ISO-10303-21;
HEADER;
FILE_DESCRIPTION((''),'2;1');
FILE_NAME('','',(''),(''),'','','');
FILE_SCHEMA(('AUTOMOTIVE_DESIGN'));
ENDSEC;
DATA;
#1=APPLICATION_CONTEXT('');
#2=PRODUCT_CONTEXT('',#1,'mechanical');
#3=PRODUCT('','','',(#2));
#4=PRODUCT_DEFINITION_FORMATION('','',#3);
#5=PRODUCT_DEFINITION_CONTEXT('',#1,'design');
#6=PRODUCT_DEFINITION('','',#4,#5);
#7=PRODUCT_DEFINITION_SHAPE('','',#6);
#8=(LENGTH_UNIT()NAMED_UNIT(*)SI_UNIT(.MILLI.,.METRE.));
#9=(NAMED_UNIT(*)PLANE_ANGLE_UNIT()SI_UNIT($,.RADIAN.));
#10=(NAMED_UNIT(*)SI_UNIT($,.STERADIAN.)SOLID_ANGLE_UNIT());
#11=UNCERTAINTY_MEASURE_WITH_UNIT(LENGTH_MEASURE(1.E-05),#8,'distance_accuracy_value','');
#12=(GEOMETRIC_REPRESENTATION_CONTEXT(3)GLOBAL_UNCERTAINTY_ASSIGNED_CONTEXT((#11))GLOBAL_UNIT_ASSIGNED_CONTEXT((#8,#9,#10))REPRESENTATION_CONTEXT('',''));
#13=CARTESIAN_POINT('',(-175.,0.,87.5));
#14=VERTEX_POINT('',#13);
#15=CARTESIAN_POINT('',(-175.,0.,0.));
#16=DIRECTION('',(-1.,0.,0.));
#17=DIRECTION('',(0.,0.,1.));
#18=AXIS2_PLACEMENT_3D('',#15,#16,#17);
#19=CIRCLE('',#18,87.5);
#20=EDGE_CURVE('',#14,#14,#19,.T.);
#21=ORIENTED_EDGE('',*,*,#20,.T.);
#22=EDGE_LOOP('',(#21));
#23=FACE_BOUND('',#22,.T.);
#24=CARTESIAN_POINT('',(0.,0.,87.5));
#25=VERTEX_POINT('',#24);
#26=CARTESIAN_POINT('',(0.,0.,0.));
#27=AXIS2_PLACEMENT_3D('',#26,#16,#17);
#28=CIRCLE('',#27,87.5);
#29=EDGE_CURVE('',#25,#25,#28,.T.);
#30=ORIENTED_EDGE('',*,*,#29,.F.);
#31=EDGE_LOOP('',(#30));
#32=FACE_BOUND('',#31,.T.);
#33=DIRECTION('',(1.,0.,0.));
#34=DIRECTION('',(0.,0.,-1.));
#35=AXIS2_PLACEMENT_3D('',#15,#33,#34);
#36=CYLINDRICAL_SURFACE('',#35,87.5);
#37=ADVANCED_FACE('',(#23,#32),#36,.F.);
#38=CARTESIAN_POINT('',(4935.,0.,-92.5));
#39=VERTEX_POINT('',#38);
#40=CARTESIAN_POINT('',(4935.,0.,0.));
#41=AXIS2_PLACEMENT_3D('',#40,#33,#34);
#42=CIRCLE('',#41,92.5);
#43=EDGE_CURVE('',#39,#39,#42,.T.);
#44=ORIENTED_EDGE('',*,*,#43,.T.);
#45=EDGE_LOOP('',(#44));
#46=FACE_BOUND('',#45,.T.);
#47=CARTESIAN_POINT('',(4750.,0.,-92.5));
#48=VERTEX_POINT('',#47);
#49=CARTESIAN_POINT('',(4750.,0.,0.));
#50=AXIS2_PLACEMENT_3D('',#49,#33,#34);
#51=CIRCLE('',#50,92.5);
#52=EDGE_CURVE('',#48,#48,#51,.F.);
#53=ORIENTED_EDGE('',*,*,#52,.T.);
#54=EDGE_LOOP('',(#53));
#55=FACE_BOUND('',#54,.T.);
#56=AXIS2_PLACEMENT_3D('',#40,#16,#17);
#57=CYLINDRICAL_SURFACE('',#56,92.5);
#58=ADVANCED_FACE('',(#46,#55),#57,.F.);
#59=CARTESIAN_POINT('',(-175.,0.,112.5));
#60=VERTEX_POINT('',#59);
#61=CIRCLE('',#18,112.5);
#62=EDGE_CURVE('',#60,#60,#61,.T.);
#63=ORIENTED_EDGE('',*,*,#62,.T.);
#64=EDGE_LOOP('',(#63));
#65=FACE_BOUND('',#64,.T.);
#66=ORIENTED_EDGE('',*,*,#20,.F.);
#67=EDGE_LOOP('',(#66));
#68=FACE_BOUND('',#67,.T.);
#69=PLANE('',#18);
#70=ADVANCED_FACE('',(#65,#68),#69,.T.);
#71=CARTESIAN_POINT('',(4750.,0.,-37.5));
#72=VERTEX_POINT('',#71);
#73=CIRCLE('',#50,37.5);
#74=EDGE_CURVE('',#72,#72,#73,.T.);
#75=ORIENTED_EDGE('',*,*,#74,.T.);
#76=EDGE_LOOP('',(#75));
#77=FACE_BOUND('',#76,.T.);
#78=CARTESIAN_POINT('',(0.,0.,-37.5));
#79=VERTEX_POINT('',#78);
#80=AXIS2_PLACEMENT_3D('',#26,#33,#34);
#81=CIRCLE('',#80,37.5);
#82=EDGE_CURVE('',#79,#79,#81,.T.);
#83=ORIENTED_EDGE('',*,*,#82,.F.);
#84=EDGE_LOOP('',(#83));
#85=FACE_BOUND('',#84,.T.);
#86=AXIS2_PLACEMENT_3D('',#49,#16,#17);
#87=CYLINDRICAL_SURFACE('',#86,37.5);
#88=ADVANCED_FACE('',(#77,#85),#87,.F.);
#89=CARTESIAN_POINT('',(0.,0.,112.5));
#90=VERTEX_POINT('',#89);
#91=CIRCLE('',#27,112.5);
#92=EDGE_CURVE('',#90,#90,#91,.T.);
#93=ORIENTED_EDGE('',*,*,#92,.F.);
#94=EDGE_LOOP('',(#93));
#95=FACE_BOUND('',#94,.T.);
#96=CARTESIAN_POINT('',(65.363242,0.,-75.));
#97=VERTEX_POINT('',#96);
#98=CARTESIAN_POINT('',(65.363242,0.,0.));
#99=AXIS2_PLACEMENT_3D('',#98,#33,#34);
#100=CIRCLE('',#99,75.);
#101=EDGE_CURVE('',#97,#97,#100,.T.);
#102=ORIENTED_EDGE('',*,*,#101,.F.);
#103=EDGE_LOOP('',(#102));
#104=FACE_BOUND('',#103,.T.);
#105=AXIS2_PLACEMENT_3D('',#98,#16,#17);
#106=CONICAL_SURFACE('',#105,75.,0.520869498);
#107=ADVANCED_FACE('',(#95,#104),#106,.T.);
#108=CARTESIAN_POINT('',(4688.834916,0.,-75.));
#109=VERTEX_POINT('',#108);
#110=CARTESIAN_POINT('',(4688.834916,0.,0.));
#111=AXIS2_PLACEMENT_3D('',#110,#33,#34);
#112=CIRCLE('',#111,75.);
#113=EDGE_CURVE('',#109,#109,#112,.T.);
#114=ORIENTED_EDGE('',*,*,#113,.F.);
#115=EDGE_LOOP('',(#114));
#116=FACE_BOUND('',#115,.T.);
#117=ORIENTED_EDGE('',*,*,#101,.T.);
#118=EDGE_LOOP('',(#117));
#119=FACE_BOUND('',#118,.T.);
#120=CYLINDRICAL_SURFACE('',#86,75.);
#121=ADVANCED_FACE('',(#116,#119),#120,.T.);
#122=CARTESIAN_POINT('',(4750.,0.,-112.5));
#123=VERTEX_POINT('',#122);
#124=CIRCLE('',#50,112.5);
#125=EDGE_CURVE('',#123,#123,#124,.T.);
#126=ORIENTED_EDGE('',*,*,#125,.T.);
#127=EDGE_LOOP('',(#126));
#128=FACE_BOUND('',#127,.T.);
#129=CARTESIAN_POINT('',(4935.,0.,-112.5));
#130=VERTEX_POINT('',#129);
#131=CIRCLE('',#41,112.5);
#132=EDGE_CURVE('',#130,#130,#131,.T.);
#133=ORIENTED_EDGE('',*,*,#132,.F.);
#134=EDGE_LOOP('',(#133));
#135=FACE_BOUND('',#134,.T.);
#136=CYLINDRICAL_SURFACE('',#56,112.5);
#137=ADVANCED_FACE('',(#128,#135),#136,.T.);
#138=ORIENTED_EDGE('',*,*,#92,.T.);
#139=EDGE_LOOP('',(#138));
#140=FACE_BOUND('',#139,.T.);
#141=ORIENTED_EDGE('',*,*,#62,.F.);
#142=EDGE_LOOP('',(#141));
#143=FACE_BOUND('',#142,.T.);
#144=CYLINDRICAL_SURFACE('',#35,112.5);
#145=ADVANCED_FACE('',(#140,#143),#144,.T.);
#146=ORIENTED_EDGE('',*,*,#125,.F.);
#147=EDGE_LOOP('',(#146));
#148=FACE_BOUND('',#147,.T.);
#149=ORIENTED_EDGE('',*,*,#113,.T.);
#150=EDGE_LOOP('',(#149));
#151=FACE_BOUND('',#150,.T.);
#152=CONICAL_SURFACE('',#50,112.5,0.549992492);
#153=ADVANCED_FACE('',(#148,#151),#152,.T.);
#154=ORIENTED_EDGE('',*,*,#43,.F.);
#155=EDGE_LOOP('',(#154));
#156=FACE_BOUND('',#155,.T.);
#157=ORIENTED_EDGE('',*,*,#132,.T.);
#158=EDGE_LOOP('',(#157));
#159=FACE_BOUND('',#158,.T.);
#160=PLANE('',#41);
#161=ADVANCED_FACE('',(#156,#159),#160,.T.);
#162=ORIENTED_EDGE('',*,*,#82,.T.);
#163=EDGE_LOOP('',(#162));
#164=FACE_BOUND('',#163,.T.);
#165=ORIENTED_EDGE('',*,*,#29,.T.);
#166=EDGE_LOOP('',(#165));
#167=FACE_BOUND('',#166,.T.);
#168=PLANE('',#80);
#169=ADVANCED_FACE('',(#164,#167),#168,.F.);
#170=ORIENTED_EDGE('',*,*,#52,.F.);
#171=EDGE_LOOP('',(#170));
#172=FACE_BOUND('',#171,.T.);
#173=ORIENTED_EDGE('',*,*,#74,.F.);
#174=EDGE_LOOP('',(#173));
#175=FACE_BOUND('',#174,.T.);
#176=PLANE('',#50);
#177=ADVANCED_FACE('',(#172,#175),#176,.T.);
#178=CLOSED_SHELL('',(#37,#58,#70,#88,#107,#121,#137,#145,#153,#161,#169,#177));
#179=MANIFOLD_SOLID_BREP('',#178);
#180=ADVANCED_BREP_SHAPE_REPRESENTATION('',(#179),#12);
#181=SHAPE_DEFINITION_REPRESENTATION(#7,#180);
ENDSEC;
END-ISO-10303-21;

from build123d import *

# Parameters (mm, degrees)
SKETCH1_R           = 75
SKETCH1_R_2         = 37.5
BOSS_EXTRUDE1_DEPTH = 4750
SKETCH2_R           = 112.5
SKETCH2_R_2         = 92.5
BOSS_EXTRUDE2_DEPTH = 185
SKETCH6_R           = 112.5
SKETCH6_R_2         = 87.5
BOSS_EXTRUDE3_DEPTH = 175


with BuildPart() as part:
    # Sketch1 → Boss-Extrude1 (new body)
    with BuildSketch(Plane(origin=(0, 0, 0), x_dir=(0, 0, -1), z_dir=(1, 0, 0))):
        Circle(SKETCH1_R)
        Circle(SKETCH1_R_2, mode=Mode.SUBTRACT)
    extrude(amount=BOSS_EXTRUDE1_DEPTH)



with BuildPart() as body_2:
    # Sketch2 → Boss-Extrude2 (new body)
    with BuildSketch(Plane(origin=(4750, 0, 0), x_dir=(0, 0, -1), z_dir=(1, 0, 0))):
        Circle(SKETCH2_R)
        Circle(SKETCH2_R_2, mode=Mode.SUBTRACT)
    extrude(amount=BOSS_EXTRUDE2_DEPTH)


with BuildPart() as part_1:
    add(part.part)

    add(body_2.part)  # Revolve1 merges body 2
    # Sketch4 → Revolve1 (revolve)
    with BuildSketch(Plane.XY, mode=Mode.PRIVATE) as revolve1_sk:
        Polygon((4750, 112.5), (4688.834916054, 75), (4750, 75), align=None)
    revolve(revolve1_sk.sketch.rotate(Axis((5128.632077333, 0, 0), (-1, 0, 0)), 90), axis=Axis((5128.632077333, 0, 0), (-1, 0, 0)))



with BuildPart() as body_2_2:
    # Sketch6 → Boss-Extrude3 (new body)
    with BuildSketch(Plane.ZY):
        with Locations(Location((0, 0, 0), (0, 0, 180))):
            Circle(SKETCH6_R)
        Circle(SKETCH6_R_2, mode=Mode.SUBTRACT)
    extrude(amount=BOSS_EXTRUDE3_DEPTH)


with BuildPart() as part_2:
    add(part_1.part)

    add(body_2_2.part)  # Revolve2 merges body 2 2
    # Sketch7 → Revolve2 (revolve)
    with BuildSketch(Plane.XY, mode=Mode.PRIVATE) as revolve2_sk:
        Polygon((0, 112.5), (65.363242372, 75), (0, 75), align=None)
    revolve(revolve2_sk.sketch.rotate(Axis((0, 0, 0), (-1, 0, 0)), 270), axis=Axis((0, 0, 0), (-1, 0, 0)))


solid = part_2.part
